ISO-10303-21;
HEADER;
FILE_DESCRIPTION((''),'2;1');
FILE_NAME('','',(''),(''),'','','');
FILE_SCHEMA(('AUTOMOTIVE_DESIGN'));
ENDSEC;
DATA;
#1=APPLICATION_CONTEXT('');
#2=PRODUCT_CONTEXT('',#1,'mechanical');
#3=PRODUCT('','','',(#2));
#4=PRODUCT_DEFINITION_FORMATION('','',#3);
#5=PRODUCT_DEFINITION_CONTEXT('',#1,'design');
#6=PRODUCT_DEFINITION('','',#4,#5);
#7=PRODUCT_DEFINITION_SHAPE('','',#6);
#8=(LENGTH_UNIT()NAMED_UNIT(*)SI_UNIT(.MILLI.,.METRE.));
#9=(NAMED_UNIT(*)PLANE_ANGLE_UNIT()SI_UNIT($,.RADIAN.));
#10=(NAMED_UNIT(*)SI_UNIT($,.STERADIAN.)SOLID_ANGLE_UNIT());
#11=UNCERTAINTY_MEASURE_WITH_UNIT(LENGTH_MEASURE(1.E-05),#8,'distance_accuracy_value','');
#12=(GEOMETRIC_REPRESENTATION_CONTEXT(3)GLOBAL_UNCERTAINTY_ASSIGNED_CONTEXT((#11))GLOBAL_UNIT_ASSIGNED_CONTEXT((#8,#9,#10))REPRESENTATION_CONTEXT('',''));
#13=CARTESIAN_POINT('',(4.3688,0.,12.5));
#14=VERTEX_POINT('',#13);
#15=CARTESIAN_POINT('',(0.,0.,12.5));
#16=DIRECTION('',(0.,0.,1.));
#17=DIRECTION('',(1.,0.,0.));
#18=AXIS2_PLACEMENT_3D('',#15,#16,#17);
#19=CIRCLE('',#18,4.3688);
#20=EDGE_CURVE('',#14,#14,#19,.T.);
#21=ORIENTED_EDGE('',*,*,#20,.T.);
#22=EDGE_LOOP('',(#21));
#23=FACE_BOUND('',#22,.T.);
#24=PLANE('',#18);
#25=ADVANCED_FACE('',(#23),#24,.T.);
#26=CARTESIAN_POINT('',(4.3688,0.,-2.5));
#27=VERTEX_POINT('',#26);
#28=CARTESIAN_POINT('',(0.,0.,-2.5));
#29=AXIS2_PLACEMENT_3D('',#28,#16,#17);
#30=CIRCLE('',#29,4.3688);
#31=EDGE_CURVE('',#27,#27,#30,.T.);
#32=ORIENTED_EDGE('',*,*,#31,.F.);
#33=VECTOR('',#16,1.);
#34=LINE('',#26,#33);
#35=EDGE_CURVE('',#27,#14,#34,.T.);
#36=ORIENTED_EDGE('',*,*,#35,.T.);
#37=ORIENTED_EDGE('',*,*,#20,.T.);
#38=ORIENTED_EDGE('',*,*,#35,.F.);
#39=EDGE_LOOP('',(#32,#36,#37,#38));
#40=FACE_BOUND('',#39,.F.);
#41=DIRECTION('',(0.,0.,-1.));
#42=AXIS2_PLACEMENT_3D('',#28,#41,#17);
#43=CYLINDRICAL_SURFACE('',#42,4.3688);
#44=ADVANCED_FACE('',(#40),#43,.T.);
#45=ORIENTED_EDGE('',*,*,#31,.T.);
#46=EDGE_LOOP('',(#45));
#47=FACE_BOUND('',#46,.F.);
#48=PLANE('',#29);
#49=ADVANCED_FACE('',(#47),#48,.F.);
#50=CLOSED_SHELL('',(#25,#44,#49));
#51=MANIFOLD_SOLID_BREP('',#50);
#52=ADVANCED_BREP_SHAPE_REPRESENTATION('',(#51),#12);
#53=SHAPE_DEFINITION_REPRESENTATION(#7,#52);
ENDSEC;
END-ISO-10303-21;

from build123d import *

# Parameters (mm, degrees)
CYLINDER_R     = 4.3688
CYLINDER_DEPTH = 15


with BuildPart() as part:
    # Cylinder → Cylinder (new body)
    with BuildSketch(Plane.XY.offset(-2.5)):
        Circle(CYLINDER_R)
    extrude(amount=CYLINDER_DEPTH)


solid = part.part
